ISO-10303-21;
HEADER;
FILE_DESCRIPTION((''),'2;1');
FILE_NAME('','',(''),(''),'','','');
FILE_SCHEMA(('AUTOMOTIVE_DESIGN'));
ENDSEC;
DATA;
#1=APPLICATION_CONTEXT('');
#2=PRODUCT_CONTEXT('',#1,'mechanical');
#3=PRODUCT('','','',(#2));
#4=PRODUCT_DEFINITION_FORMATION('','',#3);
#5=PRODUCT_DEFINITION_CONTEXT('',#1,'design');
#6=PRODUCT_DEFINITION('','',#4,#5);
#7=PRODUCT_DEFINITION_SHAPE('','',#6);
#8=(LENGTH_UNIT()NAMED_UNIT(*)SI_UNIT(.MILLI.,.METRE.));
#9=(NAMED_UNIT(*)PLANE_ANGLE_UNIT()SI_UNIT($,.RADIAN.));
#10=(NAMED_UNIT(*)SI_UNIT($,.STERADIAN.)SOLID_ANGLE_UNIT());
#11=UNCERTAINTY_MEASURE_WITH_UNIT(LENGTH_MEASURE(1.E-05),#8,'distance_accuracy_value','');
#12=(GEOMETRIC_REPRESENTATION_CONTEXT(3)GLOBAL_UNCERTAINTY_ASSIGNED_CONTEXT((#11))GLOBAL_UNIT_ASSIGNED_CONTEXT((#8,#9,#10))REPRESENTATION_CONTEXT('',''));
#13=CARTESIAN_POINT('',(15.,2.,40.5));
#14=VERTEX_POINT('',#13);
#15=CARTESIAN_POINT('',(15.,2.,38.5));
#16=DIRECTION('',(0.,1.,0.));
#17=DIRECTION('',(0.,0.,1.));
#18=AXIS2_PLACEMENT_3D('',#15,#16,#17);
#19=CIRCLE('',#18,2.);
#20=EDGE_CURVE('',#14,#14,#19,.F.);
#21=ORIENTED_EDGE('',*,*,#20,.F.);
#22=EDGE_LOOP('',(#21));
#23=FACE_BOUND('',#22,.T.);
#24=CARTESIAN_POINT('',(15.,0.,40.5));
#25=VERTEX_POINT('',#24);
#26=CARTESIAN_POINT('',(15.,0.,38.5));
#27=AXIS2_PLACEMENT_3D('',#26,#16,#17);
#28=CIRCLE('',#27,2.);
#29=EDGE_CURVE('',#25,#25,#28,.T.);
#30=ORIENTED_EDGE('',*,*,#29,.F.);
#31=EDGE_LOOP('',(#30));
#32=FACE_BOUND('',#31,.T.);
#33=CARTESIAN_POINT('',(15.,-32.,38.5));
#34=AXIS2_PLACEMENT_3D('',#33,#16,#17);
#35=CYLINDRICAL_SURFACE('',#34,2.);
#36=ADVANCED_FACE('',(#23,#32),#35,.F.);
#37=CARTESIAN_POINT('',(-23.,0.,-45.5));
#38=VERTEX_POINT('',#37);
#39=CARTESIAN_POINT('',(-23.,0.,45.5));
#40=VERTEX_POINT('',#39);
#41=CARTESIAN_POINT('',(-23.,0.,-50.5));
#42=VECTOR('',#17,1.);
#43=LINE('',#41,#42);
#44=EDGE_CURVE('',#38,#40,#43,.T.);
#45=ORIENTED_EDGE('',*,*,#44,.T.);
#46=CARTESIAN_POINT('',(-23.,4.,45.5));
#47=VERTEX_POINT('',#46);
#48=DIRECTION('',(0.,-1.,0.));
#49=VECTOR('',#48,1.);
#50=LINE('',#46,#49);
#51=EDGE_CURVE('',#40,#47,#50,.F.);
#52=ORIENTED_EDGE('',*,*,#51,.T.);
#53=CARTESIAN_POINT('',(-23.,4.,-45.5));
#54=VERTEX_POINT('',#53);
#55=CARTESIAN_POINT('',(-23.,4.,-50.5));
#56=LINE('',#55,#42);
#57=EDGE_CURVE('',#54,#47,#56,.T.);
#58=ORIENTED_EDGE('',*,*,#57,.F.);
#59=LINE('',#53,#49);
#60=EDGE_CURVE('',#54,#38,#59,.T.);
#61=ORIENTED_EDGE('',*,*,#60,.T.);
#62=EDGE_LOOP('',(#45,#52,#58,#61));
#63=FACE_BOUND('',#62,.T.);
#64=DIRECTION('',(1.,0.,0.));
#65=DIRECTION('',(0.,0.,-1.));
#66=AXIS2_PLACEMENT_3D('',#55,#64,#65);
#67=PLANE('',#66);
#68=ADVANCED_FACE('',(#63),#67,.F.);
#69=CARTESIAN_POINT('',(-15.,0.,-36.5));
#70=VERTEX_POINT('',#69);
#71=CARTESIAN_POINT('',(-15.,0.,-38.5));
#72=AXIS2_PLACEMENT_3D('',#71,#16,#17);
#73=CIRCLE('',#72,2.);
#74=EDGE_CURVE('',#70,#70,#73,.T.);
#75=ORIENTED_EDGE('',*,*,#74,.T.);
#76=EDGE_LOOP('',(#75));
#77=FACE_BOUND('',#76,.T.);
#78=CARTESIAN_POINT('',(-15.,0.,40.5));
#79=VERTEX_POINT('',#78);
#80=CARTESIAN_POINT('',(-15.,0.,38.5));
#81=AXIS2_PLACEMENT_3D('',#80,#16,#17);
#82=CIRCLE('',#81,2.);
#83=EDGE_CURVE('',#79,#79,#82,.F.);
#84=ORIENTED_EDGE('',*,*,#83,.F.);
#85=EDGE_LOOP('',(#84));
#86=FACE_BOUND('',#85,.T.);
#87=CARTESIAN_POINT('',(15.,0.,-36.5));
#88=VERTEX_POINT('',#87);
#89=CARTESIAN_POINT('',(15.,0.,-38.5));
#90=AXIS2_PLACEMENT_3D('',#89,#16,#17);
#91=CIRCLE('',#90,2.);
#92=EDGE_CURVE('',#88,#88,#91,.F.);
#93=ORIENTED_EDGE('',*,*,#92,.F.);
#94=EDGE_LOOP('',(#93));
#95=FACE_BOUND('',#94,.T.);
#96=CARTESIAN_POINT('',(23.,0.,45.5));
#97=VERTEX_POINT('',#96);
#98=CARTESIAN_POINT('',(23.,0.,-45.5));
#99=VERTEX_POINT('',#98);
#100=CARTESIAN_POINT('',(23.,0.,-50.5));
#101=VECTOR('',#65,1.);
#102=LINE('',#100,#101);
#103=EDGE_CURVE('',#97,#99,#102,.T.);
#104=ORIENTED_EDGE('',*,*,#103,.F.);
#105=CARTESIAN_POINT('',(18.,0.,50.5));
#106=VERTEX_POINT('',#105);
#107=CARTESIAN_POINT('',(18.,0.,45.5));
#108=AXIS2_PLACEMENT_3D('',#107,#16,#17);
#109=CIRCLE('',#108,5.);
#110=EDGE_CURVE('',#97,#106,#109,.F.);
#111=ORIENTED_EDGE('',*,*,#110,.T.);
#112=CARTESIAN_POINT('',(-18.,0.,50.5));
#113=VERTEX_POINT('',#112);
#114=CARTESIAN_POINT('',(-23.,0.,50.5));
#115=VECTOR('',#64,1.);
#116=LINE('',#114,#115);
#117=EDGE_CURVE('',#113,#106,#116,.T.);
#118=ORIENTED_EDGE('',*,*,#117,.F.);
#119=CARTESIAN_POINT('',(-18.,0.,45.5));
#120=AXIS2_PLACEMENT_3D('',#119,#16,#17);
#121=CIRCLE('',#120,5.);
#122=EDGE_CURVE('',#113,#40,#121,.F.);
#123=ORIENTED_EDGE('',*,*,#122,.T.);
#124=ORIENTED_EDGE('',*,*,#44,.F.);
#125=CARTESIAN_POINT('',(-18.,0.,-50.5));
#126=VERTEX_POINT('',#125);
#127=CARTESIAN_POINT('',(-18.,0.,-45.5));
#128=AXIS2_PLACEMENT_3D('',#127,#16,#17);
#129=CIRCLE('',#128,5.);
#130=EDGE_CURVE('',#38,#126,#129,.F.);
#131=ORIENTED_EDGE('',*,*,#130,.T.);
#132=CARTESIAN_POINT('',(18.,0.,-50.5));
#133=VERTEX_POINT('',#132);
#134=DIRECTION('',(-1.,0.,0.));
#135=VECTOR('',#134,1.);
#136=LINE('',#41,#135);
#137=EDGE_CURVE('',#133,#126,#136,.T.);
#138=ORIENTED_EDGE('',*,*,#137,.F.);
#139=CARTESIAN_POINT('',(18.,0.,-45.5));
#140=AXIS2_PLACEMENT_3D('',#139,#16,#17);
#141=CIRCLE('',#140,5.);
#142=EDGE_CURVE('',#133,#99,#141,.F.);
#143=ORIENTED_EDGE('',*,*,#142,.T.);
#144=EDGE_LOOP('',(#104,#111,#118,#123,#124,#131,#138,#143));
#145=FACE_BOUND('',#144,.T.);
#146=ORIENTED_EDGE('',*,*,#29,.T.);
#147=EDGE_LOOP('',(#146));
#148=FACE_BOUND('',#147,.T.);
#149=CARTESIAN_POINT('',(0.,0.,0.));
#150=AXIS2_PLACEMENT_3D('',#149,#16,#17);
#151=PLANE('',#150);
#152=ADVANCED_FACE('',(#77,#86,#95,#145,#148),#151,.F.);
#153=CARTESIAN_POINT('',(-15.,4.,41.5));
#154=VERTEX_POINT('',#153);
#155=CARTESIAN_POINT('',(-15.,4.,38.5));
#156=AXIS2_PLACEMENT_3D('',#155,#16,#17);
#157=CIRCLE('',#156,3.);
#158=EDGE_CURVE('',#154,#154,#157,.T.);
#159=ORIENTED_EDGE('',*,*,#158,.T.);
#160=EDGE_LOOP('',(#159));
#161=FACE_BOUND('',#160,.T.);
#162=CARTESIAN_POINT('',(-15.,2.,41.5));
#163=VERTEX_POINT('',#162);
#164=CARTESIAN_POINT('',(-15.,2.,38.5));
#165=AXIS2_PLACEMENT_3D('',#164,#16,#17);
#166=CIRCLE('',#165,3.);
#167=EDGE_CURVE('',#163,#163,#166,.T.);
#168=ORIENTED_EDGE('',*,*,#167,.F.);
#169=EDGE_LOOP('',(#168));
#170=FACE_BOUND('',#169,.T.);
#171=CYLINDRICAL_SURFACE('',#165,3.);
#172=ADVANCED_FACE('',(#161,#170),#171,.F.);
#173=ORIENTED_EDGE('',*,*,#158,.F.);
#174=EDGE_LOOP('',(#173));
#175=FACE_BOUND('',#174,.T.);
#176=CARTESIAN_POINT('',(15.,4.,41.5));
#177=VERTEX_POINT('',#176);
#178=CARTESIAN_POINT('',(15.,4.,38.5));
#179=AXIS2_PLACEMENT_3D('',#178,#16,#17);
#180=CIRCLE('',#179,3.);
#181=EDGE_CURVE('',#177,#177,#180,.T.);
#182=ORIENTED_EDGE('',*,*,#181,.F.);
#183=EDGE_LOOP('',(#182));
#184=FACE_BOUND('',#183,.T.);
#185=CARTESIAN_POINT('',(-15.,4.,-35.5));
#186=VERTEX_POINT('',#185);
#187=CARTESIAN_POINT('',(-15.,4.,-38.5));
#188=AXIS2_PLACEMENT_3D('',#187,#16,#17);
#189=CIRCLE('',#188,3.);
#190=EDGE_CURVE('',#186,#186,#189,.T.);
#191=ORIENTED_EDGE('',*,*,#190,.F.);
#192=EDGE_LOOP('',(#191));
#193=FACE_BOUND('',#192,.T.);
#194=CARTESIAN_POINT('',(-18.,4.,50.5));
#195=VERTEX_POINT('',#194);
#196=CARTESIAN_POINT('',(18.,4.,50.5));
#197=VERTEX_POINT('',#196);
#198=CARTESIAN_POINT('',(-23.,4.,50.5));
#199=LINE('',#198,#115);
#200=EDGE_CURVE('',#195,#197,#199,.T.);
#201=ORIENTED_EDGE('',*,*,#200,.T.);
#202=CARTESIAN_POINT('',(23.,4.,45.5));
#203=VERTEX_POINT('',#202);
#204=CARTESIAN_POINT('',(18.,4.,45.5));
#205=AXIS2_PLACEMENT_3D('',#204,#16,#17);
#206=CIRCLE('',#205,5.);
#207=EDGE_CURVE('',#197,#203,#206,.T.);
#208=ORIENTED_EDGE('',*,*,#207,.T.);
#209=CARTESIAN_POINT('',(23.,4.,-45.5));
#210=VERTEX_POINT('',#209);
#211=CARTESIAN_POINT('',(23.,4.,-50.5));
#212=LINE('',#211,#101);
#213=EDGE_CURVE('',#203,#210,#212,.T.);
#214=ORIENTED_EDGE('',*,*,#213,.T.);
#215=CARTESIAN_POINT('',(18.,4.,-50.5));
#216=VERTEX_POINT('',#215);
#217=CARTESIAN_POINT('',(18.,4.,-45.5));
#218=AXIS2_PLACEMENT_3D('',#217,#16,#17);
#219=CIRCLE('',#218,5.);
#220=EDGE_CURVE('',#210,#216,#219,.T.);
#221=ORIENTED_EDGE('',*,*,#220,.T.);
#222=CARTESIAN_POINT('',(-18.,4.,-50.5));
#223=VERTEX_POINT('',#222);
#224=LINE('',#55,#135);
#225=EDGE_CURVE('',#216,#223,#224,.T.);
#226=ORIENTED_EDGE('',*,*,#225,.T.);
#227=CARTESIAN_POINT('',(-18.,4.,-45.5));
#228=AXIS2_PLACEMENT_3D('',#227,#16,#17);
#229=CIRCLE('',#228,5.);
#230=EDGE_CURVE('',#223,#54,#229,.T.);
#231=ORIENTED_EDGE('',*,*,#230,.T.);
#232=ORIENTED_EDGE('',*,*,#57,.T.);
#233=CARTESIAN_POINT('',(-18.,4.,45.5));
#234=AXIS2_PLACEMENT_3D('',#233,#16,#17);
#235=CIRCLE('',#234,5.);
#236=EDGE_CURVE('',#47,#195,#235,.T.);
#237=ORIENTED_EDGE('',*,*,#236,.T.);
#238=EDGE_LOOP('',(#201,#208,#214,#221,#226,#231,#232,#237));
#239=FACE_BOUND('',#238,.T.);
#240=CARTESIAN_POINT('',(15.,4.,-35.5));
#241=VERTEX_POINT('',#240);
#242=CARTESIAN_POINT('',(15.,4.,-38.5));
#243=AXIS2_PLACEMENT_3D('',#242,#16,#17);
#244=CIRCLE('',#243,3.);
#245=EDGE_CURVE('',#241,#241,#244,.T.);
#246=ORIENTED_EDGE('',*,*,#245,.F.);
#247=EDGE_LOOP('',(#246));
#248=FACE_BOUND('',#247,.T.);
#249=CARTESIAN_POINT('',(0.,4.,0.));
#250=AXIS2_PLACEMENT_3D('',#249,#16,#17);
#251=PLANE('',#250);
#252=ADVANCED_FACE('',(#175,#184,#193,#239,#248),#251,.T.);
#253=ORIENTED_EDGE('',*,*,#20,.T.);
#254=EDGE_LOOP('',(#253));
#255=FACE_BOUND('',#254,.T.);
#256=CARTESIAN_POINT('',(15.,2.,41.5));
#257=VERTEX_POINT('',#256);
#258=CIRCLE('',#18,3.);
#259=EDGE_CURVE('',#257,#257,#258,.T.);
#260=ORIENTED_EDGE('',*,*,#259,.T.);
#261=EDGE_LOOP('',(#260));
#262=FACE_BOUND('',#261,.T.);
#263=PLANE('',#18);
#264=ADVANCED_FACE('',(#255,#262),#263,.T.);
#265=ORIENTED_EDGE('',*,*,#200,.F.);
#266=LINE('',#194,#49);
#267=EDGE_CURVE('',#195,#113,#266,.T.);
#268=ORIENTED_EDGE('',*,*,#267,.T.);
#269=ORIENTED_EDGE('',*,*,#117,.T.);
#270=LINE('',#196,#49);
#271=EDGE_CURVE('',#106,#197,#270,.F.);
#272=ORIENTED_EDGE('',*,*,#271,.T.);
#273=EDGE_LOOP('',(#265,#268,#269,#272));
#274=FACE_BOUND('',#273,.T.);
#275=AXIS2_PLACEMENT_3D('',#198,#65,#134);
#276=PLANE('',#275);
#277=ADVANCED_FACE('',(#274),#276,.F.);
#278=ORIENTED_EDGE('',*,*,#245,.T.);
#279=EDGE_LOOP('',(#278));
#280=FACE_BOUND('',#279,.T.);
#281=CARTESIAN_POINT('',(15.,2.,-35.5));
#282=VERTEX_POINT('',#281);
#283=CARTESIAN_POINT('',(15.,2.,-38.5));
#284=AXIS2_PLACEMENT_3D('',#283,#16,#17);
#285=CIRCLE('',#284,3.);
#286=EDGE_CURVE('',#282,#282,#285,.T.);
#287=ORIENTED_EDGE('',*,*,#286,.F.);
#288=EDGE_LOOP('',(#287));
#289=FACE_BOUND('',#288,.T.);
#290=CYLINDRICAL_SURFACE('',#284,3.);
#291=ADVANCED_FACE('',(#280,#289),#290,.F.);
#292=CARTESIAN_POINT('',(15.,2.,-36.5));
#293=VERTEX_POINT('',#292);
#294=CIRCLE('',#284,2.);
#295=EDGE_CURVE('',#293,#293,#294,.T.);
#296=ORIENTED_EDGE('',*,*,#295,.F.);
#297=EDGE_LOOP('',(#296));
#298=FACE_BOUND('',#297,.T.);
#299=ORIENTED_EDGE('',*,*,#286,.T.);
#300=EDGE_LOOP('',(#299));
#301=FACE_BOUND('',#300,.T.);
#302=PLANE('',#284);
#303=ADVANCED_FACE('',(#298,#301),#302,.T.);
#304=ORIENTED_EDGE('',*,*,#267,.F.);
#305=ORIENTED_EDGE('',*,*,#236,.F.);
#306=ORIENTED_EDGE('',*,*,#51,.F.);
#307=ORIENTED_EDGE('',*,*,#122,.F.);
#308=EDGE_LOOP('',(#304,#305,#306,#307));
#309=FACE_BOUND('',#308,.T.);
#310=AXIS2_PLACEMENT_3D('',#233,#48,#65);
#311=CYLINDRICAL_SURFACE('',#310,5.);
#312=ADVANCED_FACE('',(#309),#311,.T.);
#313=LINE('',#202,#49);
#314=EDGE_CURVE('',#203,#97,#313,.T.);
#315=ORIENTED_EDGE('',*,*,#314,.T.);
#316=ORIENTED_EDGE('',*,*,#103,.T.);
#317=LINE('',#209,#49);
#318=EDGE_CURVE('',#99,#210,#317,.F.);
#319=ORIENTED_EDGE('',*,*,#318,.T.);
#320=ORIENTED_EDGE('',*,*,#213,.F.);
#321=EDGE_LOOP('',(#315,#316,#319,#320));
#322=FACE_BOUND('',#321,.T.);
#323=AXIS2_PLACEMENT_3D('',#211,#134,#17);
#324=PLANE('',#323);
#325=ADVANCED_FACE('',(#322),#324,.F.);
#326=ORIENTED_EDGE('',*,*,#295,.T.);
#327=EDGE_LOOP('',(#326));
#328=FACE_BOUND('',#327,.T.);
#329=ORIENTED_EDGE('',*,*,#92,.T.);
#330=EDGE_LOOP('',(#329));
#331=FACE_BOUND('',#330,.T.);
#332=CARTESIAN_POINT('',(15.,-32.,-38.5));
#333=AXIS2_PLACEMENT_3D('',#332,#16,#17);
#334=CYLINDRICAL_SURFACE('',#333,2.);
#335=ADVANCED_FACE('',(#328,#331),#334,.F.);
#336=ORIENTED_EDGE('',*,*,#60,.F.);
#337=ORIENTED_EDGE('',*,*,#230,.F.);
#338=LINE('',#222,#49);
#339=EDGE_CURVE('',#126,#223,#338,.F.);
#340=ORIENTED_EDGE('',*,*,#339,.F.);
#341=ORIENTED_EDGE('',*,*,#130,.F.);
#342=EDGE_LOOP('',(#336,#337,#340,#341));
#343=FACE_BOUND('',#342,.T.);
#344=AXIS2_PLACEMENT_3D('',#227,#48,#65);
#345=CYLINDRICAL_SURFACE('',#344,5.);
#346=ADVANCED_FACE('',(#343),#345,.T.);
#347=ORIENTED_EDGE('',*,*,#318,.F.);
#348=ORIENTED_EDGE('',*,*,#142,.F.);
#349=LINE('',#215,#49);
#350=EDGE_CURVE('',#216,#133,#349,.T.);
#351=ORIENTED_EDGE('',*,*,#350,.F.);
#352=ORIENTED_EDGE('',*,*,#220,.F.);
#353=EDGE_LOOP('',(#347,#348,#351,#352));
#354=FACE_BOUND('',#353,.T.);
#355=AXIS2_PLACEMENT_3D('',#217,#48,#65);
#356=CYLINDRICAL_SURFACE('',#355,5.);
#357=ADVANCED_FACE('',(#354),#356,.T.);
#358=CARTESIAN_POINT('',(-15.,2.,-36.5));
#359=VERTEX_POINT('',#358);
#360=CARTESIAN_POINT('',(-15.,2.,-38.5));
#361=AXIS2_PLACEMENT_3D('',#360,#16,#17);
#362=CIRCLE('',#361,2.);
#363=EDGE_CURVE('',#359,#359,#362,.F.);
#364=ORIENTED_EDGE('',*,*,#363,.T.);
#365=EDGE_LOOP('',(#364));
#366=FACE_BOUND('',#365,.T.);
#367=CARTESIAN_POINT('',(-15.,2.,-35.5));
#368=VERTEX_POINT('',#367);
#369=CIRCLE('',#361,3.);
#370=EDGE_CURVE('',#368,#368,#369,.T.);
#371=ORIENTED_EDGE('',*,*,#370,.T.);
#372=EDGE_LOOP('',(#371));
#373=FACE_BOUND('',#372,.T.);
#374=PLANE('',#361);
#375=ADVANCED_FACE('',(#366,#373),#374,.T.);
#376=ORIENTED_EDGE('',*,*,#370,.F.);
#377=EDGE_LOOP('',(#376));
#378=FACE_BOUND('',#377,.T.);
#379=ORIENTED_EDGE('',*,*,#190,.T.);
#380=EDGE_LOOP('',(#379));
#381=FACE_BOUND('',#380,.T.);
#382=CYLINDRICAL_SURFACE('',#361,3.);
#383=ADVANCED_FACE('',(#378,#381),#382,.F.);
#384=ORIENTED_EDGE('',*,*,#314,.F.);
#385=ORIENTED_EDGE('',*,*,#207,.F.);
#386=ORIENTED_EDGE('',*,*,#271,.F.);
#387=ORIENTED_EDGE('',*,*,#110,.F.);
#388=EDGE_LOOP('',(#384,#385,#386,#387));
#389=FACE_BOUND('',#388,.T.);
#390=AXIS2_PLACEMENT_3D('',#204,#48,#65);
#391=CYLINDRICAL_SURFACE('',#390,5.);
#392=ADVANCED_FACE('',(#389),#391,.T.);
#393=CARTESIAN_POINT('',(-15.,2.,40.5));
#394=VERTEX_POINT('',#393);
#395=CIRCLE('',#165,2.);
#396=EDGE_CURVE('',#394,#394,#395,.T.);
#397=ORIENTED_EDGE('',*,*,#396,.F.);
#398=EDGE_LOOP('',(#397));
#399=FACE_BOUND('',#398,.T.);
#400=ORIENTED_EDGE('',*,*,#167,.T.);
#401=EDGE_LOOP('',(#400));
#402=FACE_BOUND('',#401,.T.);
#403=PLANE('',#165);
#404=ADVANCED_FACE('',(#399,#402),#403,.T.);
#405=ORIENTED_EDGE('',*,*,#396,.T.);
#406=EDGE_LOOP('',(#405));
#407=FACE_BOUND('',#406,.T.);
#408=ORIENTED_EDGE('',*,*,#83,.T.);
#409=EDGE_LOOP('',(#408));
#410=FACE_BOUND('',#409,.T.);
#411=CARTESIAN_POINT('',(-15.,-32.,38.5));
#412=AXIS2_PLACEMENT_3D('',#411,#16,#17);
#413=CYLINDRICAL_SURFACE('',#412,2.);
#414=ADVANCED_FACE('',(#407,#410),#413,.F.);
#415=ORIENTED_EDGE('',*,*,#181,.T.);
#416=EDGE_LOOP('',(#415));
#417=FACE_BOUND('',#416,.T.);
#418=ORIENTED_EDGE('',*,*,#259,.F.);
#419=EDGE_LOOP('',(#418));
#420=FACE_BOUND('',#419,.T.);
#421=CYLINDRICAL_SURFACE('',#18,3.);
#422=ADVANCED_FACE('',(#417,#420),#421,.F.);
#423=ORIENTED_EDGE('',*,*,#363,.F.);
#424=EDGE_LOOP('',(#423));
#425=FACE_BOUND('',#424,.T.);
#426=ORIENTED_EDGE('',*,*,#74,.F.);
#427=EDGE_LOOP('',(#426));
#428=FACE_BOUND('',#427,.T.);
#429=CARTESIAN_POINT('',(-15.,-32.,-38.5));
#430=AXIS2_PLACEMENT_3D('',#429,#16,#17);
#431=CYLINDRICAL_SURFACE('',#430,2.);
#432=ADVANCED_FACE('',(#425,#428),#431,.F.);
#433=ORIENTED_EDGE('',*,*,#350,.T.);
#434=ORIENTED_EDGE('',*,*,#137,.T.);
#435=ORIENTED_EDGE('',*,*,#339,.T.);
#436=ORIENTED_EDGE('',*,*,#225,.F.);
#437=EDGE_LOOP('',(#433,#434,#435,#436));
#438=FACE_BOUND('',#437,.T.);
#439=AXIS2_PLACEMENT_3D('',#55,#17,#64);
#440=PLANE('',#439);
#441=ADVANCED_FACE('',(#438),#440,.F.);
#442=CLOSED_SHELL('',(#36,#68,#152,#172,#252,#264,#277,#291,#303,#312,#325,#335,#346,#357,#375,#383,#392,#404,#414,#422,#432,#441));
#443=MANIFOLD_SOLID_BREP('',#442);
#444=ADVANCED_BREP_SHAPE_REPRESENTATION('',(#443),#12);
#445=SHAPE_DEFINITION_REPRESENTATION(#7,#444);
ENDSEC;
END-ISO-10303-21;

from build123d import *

# Parameters (mm, degrees)
CROQUIS1_W              = 46
CROQUIS1_H              = 101
SALIENTE_EXTRUIR2_DEPTH = 4
CROQUIS2_R              = 2
CORTAR_EXTRUIR3_DEPTH   = 36
CROQUIS4_R              = 3
CORTAR_EXTRUIR4_DEPTH   = 2
REDONDEO1_R             = 5


with BuildPart() as part:
    # Croquis1 → Saliente-Extruir2 (new body)
    with BuildSketch(Plane(origin=(0, 0, 0), x_dir=(1, 0, 0), z_dir=(0, 1, 0))):
        Rectangle(CROQUIS1_W, CROQUIS1_H)
    extrude(amount=SALIENTE_EXTRUIR2_DEPTH)

    # Croquis2 → Cortar-Extruir3 (cut)
    with BuildSketch(Plane(origin=(0, 4, 0), x_dir=(1, 0, 0), z_dir=(0, 1, 0))):
        with Locations(Location((-15, 38.5, 0), (0, 0, 270))):
            Circle(CROQUIS2_R)
        with Locations(Location((15, 38.5, 0), (0, 0, 270))):
            Circle(CROQUIS2_R)
        with Locations(Location((-15, -38.5, 0), (0, 0, 270))):
            Circle(CROQUIS2_R)
        with Locations(Location((15, -38.5, 0), (0, 0, 270))):
            Circle(CROQUIS2_R)
    extrude(amount=-CORTAR_EXTRUIR3_DEPTH, mode=Mode.SUBTRACT)

    # Croquis4 → Cortar-Extruir4 (cut)
    with BuildSketch(Plane(origin=(0, 4, 0), x_dir=(1, 0, 0), z_dir=(0, 1, 0))):
        with Locations(Location((-15, -38.5, 0), (0, 0, 270))):
            Circle(CROQUIS4_R)
        with Locations(Location((15, -38.5, 0), (0, 0, 270))):
            Circle(CROQUIS4_R)
        with Locations(Location((-15, 38.5, 0), (0, 0, 270))):
            Circle(CROQUIS4_R)
        with Locations(Location((15, 38.5, 0), (0, 0, 270))):
            Circle(CROQUIS4_R)
    extrude(amount=-CORTAR_EXTRUIR4_DEPTH, mode=Mode.SUBTRACT)

    # Redondeo1
    redondeo1_edges = [part.edges().sort_by_distance(p)[0] for p in [
        (23, 2, 50.5),
        (-23, 2, 50.5),
        (-23, 2, -50.5),
        (23, 2, -50.5),
    ]]
    fillet(redondeo1_edges, radius=REDONDEO1_R)


solid = part.part
